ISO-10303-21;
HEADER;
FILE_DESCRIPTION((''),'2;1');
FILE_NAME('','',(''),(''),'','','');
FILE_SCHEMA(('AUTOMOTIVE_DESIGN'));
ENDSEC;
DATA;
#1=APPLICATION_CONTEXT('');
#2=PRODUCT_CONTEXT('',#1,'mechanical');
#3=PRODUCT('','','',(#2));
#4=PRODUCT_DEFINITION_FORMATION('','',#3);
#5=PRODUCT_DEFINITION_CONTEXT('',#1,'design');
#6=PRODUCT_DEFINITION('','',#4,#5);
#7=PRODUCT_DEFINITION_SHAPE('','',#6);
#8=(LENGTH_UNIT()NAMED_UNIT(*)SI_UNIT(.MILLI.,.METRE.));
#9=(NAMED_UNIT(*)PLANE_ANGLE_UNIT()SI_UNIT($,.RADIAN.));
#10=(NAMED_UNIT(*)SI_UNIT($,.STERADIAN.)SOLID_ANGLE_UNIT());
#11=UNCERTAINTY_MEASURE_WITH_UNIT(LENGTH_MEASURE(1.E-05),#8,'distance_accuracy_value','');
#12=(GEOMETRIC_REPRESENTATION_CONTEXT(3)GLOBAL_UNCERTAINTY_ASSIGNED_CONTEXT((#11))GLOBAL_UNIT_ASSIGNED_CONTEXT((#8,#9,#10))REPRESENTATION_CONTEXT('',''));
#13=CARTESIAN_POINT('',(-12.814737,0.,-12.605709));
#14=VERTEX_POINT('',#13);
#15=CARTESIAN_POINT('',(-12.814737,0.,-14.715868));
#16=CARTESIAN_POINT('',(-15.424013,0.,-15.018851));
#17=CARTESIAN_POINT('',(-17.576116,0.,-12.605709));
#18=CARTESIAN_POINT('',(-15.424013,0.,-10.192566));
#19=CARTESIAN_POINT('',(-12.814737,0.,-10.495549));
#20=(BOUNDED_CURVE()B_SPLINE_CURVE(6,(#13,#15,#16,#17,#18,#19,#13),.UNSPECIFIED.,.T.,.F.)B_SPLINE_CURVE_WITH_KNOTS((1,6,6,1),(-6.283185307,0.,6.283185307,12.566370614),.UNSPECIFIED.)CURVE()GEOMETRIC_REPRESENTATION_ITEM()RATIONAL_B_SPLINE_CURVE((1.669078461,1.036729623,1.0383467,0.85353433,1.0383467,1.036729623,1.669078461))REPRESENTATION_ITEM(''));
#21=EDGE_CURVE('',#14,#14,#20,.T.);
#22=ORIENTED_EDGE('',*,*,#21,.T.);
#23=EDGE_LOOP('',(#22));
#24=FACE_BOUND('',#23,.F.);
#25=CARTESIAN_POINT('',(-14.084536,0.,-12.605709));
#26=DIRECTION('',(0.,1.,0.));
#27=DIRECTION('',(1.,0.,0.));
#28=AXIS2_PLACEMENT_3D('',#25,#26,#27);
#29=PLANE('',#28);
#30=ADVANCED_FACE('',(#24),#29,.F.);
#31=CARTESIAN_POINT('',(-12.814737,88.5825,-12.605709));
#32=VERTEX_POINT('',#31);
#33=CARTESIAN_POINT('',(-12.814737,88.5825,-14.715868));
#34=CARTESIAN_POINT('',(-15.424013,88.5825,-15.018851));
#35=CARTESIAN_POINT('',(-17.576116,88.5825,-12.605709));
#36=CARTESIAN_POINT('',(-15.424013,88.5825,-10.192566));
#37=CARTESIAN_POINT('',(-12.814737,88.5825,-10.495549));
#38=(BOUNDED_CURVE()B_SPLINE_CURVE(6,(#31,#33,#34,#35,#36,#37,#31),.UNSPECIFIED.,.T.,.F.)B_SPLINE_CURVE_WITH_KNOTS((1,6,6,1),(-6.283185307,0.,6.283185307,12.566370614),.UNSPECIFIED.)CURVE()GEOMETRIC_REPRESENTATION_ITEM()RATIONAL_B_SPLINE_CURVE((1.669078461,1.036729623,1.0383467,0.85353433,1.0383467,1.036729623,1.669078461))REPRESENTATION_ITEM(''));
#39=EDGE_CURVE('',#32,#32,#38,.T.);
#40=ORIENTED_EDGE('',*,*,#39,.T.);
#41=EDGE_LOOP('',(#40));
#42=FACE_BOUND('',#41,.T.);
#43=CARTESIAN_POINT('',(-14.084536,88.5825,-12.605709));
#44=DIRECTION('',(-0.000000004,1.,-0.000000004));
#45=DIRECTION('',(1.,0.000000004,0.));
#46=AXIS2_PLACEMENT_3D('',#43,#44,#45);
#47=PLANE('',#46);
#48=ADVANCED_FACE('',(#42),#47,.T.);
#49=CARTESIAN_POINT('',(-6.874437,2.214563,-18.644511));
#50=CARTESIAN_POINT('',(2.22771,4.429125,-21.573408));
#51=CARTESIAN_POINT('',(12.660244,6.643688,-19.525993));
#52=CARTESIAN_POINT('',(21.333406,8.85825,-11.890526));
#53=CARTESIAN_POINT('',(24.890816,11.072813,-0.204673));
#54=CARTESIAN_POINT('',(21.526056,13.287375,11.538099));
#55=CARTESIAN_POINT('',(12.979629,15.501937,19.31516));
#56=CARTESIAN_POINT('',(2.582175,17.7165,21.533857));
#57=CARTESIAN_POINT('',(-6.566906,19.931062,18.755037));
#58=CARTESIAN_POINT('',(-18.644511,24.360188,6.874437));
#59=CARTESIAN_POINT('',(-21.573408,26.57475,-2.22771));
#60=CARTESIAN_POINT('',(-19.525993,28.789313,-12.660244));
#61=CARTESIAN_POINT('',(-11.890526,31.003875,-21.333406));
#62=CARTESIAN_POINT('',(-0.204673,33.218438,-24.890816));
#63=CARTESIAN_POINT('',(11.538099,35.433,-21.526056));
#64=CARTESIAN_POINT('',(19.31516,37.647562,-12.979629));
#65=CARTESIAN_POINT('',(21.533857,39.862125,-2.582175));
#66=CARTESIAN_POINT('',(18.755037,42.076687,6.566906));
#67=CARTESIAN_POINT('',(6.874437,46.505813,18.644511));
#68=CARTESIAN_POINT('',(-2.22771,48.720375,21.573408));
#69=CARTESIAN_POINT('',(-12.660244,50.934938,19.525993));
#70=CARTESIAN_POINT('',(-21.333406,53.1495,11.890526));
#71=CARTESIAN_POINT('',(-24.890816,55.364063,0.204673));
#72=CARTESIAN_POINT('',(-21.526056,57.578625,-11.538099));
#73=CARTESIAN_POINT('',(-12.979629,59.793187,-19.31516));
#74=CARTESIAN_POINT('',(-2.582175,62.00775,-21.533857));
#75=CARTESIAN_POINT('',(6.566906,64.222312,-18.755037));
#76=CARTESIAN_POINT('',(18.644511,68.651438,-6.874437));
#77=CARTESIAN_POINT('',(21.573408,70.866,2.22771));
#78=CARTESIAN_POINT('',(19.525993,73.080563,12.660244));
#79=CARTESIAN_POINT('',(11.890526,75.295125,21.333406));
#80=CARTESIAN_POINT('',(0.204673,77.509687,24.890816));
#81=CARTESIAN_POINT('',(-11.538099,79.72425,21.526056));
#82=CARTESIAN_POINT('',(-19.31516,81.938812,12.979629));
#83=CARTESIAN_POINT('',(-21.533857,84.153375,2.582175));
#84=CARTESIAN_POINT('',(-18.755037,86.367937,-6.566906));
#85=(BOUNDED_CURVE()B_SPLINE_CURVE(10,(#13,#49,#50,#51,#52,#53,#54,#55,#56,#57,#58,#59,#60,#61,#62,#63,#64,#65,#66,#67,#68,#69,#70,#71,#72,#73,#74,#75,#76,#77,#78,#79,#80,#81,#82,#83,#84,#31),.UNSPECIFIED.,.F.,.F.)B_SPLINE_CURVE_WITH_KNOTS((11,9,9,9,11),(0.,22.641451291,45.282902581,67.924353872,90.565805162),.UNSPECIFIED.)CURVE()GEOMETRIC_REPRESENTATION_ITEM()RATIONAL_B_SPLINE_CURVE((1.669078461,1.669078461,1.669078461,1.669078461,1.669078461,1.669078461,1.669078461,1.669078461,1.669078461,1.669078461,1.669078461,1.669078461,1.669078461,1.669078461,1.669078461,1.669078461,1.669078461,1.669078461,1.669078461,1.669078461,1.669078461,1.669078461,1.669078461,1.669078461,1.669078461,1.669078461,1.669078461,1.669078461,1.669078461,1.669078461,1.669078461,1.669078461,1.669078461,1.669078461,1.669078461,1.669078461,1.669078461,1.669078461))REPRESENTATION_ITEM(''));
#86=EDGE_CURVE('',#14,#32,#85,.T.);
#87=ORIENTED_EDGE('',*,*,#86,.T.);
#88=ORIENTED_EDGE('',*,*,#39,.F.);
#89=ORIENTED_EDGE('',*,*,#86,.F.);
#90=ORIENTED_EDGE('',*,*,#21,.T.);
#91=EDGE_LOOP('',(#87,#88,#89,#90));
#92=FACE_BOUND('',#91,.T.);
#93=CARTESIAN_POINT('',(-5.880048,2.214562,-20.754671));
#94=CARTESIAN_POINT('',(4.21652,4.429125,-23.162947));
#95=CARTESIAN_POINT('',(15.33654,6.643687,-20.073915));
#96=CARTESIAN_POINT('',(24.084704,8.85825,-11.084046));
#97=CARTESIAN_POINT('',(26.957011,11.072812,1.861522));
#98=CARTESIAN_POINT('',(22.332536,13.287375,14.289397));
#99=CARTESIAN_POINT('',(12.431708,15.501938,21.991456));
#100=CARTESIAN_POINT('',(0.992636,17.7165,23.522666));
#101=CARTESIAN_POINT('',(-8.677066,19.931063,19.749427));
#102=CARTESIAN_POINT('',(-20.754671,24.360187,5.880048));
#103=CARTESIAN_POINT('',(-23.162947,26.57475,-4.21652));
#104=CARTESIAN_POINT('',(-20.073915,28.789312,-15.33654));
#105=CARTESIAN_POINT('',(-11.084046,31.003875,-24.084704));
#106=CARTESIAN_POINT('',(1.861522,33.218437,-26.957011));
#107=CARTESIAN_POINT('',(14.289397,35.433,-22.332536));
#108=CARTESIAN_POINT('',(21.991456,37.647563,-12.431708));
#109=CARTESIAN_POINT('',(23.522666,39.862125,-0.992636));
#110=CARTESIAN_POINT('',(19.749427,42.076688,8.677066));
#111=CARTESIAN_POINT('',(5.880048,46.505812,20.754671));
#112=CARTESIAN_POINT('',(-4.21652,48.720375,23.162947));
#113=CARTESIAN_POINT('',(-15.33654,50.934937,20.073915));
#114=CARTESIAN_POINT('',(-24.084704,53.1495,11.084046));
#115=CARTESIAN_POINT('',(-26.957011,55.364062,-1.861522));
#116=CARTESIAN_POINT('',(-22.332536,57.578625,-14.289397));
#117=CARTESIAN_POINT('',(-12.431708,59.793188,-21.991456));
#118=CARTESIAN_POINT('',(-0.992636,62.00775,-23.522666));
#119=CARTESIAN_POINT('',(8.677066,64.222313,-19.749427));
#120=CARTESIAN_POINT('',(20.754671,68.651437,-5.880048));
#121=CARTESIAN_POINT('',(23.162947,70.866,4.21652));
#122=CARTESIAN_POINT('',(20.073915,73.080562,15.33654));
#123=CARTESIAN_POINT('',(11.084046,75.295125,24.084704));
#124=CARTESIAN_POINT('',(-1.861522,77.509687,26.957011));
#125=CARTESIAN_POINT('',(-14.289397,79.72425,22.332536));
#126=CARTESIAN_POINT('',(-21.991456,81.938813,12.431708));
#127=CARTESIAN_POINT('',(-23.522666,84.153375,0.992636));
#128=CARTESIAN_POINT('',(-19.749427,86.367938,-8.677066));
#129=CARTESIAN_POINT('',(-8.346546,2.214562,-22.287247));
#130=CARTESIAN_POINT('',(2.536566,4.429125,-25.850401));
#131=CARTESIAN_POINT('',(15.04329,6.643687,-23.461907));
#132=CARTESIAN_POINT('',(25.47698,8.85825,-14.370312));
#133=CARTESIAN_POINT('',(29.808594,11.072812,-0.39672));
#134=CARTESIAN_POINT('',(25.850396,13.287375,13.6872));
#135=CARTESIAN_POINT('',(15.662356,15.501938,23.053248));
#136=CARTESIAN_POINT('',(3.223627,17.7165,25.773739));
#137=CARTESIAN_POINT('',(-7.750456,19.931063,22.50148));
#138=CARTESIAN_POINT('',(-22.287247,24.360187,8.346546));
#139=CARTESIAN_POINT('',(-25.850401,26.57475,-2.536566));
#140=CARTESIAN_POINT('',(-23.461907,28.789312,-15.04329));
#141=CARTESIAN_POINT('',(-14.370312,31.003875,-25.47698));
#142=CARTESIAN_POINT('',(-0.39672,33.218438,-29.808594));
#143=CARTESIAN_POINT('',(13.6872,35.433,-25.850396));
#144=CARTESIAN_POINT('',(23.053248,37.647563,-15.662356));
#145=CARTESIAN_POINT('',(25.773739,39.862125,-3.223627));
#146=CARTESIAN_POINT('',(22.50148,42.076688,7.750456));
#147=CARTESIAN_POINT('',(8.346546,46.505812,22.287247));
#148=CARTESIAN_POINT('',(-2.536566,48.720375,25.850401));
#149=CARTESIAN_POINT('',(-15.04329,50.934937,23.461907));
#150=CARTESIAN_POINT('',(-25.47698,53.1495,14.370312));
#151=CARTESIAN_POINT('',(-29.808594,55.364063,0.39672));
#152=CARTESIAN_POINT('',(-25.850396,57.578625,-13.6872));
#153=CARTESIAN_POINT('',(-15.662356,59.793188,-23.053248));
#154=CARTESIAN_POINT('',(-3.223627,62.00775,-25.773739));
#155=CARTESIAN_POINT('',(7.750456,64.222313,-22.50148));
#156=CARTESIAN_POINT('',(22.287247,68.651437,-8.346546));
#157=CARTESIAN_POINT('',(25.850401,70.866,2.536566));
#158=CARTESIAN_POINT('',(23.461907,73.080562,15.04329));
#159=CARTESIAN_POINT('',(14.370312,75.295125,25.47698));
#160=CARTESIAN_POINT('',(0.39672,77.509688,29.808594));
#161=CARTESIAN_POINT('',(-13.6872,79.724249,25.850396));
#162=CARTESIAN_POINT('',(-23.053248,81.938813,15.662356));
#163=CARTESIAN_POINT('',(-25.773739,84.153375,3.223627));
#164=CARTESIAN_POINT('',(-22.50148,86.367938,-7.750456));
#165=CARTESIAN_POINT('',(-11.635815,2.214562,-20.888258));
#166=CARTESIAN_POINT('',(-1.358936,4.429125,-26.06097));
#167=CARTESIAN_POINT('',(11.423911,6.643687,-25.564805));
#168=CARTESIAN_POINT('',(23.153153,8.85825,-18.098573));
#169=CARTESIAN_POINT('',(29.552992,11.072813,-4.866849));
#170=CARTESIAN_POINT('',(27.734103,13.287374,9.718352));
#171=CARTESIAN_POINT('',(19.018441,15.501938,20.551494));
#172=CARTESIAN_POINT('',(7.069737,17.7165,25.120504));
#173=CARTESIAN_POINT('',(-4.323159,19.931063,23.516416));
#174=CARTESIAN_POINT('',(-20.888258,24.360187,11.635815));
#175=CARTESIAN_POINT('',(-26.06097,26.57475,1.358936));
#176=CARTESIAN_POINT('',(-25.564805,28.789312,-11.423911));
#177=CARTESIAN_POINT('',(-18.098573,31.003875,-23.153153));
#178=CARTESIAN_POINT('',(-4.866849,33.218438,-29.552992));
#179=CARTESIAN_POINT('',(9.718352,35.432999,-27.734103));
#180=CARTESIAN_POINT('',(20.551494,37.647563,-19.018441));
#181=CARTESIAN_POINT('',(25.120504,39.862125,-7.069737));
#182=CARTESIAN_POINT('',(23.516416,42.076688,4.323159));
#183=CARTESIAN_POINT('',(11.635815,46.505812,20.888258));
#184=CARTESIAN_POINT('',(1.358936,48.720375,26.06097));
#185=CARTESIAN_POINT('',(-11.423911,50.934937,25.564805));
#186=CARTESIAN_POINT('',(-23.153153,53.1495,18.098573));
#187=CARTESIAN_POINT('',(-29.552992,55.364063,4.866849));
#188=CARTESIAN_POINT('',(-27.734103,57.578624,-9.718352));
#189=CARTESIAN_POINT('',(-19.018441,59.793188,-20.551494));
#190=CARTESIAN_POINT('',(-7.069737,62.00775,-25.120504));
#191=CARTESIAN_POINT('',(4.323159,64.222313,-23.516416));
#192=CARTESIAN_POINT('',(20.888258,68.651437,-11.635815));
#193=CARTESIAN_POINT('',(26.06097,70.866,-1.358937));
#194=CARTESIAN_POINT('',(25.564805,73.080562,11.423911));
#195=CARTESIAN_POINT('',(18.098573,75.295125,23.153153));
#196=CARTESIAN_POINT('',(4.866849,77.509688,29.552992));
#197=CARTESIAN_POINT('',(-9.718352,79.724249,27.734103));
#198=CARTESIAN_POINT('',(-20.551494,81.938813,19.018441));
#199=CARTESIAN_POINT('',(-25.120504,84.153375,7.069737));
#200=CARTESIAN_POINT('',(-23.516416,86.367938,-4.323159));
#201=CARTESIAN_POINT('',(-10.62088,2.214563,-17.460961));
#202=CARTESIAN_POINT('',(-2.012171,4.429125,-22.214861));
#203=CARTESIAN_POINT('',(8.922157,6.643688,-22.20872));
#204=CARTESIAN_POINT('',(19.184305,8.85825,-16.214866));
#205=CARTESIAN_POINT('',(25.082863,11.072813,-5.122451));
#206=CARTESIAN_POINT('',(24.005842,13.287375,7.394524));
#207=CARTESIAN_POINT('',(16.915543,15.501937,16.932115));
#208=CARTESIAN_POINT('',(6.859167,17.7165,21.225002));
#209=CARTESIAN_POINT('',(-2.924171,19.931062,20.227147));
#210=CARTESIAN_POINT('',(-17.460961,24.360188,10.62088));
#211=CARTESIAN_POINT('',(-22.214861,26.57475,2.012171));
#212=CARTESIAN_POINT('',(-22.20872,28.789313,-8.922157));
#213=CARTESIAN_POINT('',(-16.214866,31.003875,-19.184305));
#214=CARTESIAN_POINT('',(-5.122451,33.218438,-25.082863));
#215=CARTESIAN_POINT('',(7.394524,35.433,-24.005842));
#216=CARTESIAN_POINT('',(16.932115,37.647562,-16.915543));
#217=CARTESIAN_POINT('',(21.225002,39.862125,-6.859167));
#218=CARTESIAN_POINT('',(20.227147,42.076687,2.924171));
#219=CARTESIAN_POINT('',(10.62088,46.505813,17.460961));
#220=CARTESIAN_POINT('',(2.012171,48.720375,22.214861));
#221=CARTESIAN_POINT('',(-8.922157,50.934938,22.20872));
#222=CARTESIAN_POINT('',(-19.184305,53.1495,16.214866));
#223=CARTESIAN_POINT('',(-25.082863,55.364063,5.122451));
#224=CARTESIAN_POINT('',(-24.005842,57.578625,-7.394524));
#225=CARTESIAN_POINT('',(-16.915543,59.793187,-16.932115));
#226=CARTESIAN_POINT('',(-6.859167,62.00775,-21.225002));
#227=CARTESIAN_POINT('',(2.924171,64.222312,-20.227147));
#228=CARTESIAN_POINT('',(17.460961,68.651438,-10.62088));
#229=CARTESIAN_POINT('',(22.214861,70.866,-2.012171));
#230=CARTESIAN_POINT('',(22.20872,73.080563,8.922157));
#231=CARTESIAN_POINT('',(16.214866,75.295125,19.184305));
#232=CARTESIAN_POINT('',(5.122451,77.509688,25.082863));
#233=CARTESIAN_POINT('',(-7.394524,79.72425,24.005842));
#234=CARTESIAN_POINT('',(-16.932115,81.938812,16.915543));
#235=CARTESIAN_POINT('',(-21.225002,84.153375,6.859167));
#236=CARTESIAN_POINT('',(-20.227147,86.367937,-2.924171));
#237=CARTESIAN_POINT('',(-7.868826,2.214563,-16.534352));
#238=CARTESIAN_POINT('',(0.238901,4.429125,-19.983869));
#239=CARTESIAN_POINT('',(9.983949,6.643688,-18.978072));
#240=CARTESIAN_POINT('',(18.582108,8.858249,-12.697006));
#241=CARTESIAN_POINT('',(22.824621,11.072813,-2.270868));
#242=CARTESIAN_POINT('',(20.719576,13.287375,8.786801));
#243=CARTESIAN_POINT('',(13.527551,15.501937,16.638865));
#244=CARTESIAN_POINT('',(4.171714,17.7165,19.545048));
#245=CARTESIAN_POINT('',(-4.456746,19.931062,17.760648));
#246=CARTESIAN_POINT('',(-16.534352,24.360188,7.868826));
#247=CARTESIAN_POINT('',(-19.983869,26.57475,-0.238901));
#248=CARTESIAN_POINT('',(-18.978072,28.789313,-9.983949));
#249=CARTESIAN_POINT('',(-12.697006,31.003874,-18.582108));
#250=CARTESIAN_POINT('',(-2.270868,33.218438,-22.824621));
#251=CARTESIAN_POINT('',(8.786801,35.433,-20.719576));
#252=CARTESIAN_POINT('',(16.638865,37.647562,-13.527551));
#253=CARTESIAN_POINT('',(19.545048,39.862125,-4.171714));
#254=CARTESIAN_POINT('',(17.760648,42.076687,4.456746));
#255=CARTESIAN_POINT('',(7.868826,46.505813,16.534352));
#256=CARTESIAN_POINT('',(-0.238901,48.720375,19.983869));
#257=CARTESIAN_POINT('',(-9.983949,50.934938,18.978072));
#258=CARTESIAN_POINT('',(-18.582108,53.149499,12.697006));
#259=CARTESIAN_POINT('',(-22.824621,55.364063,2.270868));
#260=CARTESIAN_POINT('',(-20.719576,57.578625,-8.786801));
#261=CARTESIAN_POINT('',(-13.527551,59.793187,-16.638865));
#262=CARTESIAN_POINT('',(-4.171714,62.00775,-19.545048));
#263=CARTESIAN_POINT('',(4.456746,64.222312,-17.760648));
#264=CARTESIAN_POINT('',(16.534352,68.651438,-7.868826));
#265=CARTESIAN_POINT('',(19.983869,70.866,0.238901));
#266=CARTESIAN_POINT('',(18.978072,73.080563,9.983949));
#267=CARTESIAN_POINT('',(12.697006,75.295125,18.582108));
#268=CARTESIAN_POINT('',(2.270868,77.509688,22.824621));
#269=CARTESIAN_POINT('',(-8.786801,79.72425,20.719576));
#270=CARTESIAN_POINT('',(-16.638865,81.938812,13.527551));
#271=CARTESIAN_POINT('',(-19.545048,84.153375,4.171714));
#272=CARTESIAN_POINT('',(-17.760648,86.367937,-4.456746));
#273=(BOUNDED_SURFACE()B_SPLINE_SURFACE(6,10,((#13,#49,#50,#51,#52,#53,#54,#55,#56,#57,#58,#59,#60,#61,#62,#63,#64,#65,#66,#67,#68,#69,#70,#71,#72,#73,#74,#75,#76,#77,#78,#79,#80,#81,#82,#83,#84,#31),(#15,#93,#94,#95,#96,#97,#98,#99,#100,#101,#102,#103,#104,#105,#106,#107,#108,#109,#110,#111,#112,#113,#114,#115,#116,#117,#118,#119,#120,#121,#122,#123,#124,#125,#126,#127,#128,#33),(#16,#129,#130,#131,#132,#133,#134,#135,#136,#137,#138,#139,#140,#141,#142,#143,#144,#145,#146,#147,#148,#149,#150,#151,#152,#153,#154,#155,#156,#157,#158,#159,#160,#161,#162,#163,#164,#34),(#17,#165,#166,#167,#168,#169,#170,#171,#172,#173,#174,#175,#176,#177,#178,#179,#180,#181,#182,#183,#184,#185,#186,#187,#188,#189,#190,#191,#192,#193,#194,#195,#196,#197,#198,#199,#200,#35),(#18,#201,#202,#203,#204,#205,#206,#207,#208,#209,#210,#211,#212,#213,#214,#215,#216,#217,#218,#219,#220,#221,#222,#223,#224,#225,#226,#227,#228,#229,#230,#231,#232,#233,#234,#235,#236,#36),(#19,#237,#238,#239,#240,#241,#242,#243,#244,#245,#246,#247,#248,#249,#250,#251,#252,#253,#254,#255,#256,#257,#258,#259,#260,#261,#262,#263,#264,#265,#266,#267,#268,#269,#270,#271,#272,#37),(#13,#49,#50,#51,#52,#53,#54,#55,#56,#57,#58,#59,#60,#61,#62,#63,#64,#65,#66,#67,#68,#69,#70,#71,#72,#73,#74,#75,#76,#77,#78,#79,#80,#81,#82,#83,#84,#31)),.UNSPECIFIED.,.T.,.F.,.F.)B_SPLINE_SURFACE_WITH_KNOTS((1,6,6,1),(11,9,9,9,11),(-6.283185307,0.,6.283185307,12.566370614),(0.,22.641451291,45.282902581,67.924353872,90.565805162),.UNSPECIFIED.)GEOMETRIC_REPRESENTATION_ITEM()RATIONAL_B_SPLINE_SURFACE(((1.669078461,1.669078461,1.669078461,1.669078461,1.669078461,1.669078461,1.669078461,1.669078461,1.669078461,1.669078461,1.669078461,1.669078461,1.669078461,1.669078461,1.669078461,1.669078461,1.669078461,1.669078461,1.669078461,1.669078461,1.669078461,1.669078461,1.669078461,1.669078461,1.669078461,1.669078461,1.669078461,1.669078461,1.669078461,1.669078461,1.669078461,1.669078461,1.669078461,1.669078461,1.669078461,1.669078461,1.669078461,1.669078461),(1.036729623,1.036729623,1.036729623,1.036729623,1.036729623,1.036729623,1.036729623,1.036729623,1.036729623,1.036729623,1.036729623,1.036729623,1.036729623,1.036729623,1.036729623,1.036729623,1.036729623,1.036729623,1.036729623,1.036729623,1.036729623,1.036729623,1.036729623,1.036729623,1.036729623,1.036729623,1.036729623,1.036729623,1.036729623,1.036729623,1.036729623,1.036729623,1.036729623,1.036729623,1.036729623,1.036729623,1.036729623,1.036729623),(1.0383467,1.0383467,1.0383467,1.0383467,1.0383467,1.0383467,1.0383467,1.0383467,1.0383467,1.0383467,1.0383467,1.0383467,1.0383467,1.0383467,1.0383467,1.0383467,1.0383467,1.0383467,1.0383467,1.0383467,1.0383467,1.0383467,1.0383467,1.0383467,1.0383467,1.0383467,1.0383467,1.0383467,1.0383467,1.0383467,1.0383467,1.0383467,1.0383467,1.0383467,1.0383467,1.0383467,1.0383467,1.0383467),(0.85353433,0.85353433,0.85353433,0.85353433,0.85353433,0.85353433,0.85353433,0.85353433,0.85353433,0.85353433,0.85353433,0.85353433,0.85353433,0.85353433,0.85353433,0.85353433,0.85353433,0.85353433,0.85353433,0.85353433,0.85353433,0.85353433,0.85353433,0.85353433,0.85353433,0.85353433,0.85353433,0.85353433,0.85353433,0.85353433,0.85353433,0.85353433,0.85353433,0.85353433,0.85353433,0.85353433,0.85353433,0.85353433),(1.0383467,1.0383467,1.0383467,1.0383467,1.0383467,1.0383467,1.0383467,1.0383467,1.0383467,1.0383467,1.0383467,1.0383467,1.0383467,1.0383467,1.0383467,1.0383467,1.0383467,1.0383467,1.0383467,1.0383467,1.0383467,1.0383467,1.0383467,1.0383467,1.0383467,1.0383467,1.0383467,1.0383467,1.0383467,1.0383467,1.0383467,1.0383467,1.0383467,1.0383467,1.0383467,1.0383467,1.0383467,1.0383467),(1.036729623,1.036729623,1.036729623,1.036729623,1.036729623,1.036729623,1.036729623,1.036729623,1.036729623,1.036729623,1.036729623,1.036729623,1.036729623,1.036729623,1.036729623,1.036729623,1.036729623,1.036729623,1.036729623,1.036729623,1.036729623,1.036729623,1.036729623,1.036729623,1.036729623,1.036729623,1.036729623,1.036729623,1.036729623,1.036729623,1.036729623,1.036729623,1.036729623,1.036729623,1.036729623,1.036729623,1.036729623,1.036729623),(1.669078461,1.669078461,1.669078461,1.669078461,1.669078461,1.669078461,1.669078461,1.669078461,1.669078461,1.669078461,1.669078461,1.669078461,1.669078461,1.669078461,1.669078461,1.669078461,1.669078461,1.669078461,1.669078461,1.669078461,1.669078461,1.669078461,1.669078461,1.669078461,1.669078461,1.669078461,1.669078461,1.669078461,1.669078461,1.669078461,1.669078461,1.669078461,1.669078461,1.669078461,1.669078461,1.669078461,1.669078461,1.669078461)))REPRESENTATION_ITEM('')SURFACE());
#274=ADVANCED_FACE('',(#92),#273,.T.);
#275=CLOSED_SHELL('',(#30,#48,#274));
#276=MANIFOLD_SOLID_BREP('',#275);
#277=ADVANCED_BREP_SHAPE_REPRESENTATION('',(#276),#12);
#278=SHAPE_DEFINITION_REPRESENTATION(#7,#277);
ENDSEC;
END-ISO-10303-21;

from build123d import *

# Parameters (mm, degrees)
SWEEP1_PITCH       = 29.5275
SWEEP1_HEIGHT      = 88.5825
SWEEP1_RADIUS      = 19.05
SWEEP1_START_ANGLE = -135
SKETCH4_R          = 1.27


with BuildPart() as part:
    # Sweep1: sweep along a helix
    with BuildLine() as sweep1_path:
        add(Helix(SWEEP1_PITCH, SWEEP1_HEIGHT, SWEEP1_RADIUS, center=(0, 0, 0), direction=(0, 1, 0), lefthand=True, mode=Mode.PRIVATE).rotate(Axis((0, 0, 0), (0, 1, 0)), SWEEP1_START_ANGLE))
    # Sketch4 → Sweep1 (sweep)
    with BuildSketch(Plane(origin=(0, 0, 0), x_dir=(1, 0, 0), z_dir=(0, 1, 0))):
        with Locations((-14.084737163, 12.605708763)):
            Circle(SKETCH4_R)
    sweep(path=sweep1_path.line, is_frenet=True)


solid = part.part
